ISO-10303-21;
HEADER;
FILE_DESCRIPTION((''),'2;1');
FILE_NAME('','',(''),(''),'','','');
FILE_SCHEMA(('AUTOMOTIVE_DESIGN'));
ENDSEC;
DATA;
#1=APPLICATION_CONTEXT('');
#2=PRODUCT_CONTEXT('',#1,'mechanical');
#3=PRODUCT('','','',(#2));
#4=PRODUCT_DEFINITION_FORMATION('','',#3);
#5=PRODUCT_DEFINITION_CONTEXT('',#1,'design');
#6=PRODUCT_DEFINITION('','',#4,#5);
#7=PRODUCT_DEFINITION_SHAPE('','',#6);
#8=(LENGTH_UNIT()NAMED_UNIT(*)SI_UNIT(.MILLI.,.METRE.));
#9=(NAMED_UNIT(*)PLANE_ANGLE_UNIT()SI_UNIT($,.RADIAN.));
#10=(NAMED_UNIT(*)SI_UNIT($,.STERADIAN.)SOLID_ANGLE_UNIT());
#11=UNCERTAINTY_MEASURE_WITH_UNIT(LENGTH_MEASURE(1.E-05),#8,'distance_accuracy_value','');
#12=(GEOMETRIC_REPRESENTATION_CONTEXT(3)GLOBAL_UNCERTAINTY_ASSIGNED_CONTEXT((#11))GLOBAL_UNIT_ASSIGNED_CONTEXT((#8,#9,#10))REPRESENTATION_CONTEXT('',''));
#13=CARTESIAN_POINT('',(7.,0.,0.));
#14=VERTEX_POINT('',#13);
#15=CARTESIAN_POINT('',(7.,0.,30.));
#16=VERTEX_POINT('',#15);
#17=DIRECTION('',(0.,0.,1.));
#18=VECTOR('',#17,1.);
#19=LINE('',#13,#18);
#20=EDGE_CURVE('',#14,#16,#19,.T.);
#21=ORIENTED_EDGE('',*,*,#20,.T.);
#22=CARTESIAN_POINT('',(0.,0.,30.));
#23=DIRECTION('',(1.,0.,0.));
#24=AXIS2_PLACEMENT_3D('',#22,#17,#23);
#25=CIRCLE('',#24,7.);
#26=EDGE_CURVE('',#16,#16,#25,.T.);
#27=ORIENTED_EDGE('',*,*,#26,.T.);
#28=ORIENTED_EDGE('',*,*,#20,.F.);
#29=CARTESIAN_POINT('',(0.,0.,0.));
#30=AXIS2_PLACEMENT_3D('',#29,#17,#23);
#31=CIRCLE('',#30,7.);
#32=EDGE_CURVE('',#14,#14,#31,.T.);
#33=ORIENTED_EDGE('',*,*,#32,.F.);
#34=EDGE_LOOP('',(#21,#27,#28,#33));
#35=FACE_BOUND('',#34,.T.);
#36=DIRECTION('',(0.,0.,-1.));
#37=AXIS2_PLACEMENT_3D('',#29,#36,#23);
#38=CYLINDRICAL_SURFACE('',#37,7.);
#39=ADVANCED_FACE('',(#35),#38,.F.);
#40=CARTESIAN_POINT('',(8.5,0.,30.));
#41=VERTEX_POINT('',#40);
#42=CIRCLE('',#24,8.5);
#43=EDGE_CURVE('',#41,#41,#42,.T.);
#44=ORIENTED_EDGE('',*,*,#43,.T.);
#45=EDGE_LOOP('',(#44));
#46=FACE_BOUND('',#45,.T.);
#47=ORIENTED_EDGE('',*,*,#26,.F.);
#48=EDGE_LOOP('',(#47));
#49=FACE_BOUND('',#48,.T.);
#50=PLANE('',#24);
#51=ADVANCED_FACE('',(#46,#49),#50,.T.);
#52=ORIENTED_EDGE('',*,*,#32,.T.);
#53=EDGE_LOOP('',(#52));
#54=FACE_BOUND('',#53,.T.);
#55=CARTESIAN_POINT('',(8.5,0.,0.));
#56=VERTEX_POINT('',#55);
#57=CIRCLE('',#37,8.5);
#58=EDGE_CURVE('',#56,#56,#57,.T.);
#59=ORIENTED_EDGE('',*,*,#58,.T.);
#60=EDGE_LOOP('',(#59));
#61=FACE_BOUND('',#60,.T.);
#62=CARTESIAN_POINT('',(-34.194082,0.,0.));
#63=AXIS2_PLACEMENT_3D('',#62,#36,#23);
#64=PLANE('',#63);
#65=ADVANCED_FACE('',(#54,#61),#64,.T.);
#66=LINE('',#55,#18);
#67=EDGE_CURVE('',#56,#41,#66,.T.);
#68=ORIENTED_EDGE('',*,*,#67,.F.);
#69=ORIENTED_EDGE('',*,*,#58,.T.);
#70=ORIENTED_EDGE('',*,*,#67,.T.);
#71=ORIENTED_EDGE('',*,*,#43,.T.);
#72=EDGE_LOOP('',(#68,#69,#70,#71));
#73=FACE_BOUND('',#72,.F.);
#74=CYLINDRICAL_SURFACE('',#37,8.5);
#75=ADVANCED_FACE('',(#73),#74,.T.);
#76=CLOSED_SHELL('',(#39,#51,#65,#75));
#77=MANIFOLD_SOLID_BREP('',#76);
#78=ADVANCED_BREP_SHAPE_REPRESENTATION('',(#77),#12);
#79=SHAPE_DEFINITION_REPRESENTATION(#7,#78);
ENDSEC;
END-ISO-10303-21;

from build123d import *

# Parameters (mm, degrees)
F0_R           = 8.5
F0_R_2         = 7
F1_DEPTH       = 30
F2_R           = 20
F3_DEPTH       = 34
F5_D           = 14
F5_CSINK_D     = 40
F5_CSINK_ANGLE = 47
F6_SIZE2       = 10.919107028
F6_SIZE        = 30
F7_SIZE2       = 0.5
F7_SIZE        = 0.7140740034
F8_W           = 87.9276357591
F8_H           = 44.8519736528
F9_DEPTH       = 20.001
F10_DEPTH      = 20.001


with BuildPart() as f1:
    # F0 (on Top) → F1 (new body)
    with BuildSketch(Plane.XY):
        Circle(F0_R)
        Circle(F0_R_2, mode=Mode.SUBTRACT)
    extrude(amount=F1_DEPTH)

    # F2 (on face) → F3 (join)
    with BuildSketch(Plane(origin=(0, 0, 0), x_dir=(1, 0, 0), z_dir=(0, 0, -1))):
        Circle(F2_R)
    extrude(amount=F3_DEPTH)

    # F5 (through all)
    with Locations(Plane(origin=(0, 0, -34), x_dir=(1, 0, 0), z_dir=(0, 0, -1))):
        with Locations((0, 0)):
            CounterSinkHole(F5_D / 2, F5_CSINK_D / 2, counter_sink_angle=F5_CSINK_ANGLE)

    # F6
    f6_edges = [f1.edges().sort_by_distance(p)[0] for p in [
        (-20, 0, 0),
    ]]
    f6_side = f1.faces().sort_by_distance((-20, 0, -17))[0]
    chamfer(f6_edges, length=F6_SIZE, length2=F6_SIZE2, reference=f6_side)

    # F7
    f7_edges = [f1.edges().sort_by_distance(p)[0] for p in [
        (-9.080893, 0, 0),
    ]]
    f7_side = f1.faces().sort_by_distance((-14.540446, 0, -15))[0]
    chamfer(f7_edges, length=F7_SIZE, length2=F7_SIZE2, reference=f7_side)

    # F8 (on Front) → F9 (cut, through all)
    with BuildSketch(Plane.XZ):
        with Locations((9.7697358578, -22.4259868264)):
            Rectangle(F8_W, F8_H)
    extrude(amount=-F9_DEPTH, mode=Mode.SUBTRACT)

    # F8 (on Front) → F10 (cut, through all)
    with BuildSketch(Plane.XZ):
        with Locations((9.7697358578, -22.4259868264)):
            Rectangle(F8_W, F8_H)
    extrude(amount=F10_DEPTH, mode=Mode.SUBTRACT)


solid = f1.part
